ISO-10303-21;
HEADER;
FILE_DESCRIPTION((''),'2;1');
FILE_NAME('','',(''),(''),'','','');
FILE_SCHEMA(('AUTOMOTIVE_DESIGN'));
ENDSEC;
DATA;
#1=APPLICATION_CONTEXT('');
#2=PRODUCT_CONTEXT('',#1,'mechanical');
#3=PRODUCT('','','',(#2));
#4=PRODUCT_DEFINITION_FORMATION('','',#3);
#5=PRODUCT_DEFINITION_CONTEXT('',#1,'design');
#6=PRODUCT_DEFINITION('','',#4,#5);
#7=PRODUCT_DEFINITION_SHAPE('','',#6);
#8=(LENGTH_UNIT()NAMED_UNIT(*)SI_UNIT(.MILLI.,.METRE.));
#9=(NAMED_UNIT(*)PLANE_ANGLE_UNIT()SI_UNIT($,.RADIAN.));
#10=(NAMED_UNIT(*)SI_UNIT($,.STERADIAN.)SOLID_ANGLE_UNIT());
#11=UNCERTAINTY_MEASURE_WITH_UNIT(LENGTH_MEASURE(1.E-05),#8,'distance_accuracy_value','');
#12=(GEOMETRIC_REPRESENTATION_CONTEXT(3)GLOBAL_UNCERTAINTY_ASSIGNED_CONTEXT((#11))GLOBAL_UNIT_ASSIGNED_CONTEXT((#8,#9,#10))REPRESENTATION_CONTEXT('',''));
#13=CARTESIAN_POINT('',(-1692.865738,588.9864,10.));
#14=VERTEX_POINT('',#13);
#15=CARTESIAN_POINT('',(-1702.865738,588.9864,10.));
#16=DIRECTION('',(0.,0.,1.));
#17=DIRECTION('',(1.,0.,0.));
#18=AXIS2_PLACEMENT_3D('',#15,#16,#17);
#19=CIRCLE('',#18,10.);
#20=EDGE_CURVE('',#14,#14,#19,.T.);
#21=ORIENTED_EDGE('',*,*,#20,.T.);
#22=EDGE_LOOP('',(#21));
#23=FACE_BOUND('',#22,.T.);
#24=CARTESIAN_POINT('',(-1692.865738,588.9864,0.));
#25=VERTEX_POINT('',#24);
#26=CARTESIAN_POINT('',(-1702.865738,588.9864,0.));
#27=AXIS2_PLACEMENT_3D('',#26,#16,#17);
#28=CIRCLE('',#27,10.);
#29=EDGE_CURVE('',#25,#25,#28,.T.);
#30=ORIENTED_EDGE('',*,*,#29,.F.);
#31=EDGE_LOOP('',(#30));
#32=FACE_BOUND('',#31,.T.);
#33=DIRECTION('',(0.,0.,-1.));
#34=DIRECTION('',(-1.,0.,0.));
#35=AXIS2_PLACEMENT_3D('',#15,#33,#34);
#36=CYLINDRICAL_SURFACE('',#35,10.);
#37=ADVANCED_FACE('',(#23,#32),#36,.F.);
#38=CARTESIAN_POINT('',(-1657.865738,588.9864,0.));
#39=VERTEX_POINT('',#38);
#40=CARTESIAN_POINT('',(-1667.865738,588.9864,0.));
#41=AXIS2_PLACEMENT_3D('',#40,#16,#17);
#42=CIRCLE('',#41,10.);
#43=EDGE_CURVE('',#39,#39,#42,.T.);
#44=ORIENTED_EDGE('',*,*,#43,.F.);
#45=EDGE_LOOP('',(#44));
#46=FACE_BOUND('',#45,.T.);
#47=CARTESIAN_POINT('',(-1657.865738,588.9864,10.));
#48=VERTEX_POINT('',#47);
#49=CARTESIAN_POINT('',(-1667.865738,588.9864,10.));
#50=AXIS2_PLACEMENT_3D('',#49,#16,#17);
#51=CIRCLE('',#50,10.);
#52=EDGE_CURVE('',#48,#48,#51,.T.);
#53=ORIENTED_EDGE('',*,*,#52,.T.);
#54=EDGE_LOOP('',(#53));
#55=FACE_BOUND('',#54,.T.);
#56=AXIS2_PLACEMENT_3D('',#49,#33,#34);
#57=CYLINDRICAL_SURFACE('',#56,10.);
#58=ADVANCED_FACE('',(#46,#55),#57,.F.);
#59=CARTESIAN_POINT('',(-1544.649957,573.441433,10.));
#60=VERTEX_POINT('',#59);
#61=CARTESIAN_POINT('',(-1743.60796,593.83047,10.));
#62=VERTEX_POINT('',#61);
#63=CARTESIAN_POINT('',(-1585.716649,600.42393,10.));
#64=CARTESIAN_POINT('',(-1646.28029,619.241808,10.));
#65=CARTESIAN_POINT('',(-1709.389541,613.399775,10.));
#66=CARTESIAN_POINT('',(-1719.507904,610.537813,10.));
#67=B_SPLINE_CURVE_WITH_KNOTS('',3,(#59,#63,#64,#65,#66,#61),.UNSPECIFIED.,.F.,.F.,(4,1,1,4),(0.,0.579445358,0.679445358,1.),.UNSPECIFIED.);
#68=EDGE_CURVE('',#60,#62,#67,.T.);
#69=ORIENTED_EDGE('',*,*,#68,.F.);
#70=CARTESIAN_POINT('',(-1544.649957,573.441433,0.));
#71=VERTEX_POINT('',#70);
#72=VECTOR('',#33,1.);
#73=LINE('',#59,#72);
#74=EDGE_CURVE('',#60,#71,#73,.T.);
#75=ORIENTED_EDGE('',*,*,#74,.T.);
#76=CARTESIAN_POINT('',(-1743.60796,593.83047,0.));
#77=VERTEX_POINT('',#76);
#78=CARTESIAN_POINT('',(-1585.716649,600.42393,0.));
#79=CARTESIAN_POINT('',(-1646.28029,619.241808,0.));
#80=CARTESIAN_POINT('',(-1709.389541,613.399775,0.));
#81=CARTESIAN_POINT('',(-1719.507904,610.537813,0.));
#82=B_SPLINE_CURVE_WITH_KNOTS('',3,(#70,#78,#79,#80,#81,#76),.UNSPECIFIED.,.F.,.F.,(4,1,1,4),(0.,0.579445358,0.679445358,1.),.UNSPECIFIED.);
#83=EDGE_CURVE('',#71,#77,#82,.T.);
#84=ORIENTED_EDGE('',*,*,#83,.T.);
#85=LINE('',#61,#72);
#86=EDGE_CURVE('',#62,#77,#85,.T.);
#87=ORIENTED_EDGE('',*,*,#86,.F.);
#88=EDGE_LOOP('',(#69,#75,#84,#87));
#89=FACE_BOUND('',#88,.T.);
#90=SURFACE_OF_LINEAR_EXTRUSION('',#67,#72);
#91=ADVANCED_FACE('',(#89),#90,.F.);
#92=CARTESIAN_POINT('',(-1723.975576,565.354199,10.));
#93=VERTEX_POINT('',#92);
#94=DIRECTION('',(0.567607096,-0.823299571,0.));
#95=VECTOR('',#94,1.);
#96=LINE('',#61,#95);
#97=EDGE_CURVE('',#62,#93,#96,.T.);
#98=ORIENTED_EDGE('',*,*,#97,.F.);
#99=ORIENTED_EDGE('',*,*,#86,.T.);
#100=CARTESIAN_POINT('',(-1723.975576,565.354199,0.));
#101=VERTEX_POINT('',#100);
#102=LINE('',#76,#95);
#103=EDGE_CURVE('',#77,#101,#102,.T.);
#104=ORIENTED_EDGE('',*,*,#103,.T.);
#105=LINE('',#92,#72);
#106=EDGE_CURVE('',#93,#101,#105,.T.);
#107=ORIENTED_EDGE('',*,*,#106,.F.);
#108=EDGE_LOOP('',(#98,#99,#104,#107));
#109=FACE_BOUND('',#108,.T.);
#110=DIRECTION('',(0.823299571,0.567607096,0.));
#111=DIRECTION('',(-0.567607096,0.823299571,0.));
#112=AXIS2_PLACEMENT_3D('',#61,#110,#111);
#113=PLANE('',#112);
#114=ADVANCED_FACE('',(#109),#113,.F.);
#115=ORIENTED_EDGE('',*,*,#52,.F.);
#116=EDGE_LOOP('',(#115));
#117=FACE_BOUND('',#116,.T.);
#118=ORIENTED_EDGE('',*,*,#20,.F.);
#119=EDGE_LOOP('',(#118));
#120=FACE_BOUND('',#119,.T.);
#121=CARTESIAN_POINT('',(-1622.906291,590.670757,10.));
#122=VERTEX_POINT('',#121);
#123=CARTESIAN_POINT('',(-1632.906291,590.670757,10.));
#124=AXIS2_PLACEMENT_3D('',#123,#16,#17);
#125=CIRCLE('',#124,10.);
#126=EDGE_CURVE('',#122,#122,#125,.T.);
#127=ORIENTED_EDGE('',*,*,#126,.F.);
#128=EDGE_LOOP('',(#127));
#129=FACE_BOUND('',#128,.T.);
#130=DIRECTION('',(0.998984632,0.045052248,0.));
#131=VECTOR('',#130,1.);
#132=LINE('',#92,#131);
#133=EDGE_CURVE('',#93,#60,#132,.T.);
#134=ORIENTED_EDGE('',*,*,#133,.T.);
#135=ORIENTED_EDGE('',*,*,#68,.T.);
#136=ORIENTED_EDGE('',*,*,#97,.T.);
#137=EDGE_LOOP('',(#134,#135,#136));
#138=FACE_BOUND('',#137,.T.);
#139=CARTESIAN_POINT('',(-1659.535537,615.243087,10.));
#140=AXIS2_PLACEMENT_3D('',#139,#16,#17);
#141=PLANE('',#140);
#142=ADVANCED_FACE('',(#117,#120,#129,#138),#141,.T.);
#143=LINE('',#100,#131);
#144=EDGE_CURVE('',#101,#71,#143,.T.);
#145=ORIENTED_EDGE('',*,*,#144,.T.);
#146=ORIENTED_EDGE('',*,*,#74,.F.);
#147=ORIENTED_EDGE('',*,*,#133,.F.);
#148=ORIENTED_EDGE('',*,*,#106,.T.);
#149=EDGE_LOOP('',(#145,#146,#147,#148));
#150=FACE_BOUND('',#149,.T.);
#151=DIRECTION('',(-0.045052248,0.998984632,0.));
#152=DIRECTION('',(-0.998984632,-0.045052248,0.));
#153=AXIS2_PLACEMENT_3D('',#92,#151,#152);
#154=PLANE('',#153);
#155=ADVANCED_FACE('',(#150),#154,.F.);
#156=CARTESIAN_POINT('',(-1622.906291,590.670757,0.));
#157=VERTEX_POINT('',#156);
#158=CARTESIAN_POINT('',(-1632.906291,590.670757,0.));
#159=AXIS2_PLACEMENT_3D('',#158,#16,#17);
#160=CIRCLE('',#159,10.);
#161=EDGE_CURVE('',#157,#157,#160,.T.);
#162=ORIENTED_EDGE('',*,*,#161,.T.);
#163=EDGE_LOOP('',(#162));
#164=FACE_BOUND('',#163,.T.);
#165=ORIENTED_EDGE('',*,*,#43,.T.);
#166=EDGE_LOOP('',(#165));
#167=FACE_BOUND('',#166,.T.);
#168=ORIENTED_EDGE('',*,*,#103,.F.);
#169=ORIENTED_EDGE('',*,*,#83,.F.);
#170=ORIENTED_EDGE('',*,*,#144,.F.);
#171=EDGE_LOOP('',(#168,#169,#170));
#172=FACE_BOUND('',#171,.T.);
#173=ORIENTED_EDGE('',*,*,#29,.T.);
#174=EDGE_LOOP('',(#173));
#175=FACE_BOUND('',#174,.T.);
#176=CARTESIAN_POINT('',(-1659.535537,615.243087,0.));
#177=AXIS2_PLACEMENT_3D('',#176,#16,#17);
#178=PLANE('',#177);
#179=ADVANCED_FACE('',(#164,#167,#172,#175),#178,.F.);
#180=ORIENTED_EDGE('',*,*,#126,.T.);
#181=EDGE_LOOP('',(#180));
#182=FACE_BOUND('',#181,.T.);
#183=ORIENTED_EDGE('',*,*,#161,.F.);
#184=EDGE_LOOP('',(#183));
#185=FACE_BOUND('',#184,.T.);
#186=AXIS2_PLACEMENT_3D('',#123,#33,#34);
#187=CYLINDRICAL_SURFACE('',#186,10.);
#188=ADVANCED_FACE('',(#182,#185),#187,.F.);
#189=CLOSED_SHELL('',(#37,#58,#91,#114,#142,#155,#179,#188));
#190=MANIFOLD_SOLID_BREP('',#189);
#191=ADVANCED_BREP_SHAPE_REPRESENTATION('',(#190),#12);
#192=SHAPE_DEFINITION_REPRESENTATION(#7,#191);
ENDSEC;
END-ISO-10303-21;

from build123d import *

# Parameters (mm, degrees)
SKETCH1_R           = 10
BOSS_EXTRUDE1_DEPTH = 10


with BuildPart() as part:
    # Sketch1 → Boss-Extrude1 (new body)
    with BuildSketch(Plane.XY):
        with BuildLine():
            Line((-1743.607960183, 593.830470178), (-1723.97557604, 565.354199265))
            Line((-1723.97557604, 565.354199265), (-1544.649956659, 573.44143308))
            add(Edge.make_bspline(
                [(-1743.607960183, 593.830470178), (-1719.507904213, 610.537812828), (-1709.389541143, 613.399774739), (-1646.280289738, 619.241808081), (-1585.716648888, 600.423930323), (-1544.649956659, 573.44143308)],
                knots=[0, 0, 0, 0, 0.320554642, 0.420554642, 1, 1, 1, 1], degree=3))
        make_face()
        with Locations((-1632.906290904, 590.670757295)):
            Circle(SKETCH1_R, mode=Mode.SUBTRACT)
        with Locations((-1667.865738011, 588.986400452)):
            Circle(SKETCH1_R, mode=Mode.SUBTRACT)
        with Locations((-1702.865738011, 588.986400452)):
            Circle(SKETCH1_R, mode=Mode.SUBTRACT)
    extrude(amount=BOSS_EXTRUDE1_DEPTH)


solid = part.part
